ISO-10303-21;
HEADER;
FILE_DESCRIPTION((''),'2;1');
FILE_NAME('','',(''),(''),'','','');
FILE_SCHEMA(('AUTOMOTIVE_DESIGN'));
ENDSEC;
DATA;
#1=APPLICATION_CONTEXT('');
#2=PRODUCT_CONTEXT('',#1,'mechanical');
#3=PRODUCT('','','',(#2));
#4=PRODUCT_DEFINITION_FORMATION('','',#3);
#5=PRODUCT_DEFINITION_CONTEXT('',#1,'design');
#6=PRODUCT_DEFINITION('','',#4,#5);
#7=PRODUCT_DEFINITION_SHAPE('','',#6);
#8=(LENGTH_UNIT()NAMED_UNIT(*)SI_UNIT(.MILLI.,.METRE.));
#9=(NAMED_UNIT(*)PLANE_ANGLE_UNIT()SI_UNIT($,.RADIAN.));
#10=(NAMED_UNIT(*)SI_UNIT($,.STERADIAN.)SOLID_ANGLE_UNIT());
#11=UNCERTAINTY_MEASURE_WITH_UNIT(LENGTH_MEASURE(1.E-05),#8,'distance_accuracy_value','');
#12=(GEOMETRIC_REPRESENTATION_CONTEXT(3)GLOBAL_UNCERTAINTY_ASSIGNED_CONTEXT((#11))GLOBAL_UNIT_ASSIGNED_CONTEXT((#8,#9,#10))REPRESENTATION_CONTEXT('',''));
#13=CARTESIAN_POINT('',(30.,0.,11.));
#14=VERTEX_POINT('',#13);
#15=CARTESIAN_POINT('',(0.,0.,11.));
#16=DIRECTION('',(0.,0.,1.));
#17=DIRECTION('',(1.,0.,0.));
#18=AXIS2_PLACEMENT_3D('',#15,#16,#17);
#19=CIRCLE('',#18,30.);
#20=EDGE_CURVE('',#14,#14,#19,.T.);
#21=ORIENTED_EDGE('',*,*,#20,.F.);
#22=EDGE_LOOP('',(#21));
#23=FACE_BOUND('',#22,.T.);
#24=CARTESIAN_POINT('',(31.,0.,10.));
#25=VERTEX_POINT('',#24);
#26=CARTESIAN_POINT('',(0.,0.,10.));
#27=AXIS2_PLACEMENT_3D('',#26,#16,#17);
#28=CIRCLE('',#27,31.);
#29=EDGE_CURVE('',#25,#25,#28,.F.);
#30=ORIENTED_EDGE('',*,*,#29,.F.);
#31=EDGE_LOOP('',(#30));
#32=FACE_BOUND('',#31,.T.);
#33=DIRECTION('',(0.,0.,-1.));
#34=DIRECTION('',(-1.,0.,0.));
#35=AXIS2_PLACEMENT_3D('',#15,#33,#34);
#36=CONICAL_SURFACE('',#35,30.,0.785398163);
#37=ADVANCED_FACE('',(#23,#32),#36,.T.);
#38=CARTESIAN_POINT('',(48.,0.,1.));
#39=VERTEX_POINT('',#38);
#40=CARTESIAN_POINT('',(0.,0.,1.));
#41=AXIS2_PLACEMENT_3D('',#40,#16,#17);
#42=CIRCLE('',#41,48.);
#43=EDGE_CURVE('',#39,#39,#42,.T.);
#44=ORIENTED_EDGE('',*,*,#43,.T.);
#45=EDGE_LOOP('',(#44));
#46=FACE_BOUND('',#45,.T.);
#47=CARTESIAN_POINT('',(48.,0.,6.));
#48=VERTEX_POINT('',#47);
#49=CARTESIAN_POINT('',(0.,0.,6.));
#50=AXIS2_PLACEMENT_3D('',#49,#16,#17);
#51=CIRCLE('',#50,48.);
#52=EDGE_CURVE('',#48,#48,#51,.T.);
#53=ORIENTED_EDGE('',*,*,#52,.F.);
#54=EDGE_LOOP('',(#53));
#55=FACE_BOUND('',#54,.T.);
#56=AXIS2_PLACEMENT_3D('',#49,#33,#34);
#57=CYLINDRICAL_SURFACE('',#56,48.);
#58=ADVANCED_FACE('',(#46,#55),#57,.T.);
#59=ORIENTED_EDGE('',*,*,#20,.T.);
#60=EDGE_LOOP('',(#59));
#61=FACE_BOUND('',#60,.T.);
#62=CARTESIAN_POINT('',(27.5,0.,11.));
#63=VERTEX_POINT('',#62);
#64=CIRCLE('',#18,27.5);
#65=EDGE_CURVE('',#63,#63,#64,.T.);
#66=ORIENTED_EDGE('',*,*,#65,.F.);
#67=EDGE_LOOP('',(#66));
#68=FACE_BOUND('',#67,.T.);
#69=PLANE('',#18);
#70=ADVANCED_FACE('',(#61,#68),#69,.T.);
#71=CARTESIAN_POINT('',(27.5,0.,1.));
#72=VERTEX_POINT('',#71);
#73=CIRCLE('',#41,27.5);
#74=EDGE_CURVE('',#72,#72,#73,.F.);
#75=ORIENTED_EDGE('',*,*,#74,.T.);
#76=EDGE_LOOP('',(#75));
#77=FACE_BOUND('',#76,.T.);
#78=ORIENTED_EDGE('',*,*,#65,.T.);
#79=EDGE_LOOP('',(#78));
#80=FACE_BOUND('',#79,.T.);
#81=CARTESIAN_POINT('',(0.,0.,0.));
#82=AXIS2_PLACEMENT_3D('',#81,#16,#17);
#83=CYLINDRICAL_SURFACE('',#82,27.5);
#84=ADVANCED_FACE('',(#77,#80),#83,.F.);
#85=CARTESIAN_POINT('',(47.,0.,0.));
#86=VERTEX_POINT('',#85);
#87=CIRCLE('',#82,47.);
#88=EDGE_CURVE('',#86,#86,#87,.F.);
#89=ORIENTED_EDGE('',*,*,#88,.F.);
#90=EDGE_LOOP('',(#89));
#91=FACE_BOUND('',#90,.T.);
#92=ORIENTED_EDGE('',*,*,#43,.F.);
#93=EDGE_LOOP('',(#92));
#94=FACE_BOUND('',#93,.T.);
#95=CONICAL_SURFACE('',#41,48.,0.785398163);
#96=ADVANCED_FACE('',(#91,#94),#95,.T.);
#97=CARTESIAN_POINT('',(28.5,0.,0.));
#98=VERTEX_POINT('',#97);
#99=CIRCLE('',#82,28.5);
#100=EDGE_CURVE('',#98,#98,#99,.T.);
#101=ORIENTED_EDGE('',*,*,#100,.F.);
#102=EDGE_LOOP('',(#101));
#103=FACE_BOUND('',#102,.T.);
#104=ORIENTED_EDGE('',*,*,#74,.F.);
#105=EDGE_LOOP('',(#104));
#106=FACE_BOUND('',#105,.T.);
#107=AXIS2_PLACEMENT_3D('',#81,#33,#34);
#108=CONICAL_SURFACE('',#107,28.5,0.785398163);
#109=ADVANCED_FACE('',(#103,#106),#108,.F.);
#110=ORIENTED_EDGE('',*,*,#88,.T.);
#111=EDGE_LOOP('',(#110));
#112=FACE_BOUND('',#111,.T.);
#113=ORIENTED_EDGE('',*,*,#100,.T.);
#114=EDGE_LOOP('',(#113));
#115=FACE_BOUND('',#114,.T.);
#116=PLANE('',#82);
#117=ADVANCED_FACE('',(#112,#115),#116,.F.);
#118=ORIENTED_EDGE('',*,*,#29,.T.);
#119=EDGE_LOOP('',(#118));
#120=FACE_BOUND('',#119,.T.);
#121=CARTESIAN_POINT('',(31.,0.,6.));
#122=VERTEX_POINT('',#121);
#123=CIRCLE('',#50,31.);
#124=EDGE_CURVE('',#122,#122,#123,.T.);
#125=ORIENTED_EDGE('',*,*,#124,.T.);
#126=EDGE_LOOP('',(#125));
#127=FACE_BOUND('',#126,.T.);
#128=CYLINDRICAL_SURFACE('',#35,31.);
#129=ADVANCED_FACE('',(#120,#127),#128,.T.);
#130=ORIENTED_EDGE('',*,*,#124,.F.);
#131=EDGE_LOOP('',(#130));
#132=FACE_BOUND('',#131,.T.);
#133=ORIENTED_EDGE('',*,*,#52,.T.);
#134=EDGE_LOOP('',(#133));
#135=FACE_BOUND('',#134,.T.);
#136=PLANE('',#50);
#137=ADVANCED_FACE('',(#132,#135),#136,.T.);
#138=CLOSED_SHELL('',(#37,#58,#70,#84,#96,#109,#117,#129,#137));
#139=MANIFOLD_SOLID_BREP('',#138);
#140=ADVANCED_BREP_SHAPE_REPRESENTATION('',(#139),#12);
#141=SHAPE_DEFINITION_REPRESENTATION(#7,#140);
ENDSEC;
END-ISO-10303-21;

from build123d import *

# Parameters (mm, degrees)
SCHIZZO1_R        = 48
ESTRUSIONE1_DEPTH = 6
SCHIZZO2_R        = 31
ESTRUSIONE2_DEPTH = 5
SMUSSO1_SIZE      = 1
SCHIZZO3_R        = 27.5
ESTRUSIONE3_DEPTH = 69.767724988
SMUSSO2_SIZE      = 1


with BuildPart() as part:
    # Schizzo1 → Estrusione1 (new body)
    with BuildSketch(Plane.XY):
        Circle(SCHIZZO1_R)
    extrude(amount=ESTRUSIONE1_DEPTH)

    # Schizzo2 → Estrusione2 (add)
    with BuildSketch(Plane.XY.offset(6)):
        Circle(SCHIZZO2_R)
    extrude(amount=ESTRUSIONE2_DEPTH)

    # Smusso1
    smusso1_edges = [part.edges().sort_by_distance(p)[0] for p in [
        (-48, 0, 0),
        (-31, 0, 11),
    ]]
    chamfer(smusso1_edges, length=SMUSSO1_SIZE)

    # Schizzo3 → Estrusione3 (cut, through all)
    with BuildSketch(Plane.XY.offset(11)):
        Circle(SCHIZZO3_R)
    extrude(amount=-ESTRUSIONE3_DEPTH, mode=Mode.SUBTRACT)

    # Smusso2
    smusso2_edges = [part.edges().sort_by_distance(p)[0] for p in [
        (-27.5, 0, 0),
    ]]
    chamfer(smusso2_edges, length=SMUSSO2_SIZE)


solid = part.part
